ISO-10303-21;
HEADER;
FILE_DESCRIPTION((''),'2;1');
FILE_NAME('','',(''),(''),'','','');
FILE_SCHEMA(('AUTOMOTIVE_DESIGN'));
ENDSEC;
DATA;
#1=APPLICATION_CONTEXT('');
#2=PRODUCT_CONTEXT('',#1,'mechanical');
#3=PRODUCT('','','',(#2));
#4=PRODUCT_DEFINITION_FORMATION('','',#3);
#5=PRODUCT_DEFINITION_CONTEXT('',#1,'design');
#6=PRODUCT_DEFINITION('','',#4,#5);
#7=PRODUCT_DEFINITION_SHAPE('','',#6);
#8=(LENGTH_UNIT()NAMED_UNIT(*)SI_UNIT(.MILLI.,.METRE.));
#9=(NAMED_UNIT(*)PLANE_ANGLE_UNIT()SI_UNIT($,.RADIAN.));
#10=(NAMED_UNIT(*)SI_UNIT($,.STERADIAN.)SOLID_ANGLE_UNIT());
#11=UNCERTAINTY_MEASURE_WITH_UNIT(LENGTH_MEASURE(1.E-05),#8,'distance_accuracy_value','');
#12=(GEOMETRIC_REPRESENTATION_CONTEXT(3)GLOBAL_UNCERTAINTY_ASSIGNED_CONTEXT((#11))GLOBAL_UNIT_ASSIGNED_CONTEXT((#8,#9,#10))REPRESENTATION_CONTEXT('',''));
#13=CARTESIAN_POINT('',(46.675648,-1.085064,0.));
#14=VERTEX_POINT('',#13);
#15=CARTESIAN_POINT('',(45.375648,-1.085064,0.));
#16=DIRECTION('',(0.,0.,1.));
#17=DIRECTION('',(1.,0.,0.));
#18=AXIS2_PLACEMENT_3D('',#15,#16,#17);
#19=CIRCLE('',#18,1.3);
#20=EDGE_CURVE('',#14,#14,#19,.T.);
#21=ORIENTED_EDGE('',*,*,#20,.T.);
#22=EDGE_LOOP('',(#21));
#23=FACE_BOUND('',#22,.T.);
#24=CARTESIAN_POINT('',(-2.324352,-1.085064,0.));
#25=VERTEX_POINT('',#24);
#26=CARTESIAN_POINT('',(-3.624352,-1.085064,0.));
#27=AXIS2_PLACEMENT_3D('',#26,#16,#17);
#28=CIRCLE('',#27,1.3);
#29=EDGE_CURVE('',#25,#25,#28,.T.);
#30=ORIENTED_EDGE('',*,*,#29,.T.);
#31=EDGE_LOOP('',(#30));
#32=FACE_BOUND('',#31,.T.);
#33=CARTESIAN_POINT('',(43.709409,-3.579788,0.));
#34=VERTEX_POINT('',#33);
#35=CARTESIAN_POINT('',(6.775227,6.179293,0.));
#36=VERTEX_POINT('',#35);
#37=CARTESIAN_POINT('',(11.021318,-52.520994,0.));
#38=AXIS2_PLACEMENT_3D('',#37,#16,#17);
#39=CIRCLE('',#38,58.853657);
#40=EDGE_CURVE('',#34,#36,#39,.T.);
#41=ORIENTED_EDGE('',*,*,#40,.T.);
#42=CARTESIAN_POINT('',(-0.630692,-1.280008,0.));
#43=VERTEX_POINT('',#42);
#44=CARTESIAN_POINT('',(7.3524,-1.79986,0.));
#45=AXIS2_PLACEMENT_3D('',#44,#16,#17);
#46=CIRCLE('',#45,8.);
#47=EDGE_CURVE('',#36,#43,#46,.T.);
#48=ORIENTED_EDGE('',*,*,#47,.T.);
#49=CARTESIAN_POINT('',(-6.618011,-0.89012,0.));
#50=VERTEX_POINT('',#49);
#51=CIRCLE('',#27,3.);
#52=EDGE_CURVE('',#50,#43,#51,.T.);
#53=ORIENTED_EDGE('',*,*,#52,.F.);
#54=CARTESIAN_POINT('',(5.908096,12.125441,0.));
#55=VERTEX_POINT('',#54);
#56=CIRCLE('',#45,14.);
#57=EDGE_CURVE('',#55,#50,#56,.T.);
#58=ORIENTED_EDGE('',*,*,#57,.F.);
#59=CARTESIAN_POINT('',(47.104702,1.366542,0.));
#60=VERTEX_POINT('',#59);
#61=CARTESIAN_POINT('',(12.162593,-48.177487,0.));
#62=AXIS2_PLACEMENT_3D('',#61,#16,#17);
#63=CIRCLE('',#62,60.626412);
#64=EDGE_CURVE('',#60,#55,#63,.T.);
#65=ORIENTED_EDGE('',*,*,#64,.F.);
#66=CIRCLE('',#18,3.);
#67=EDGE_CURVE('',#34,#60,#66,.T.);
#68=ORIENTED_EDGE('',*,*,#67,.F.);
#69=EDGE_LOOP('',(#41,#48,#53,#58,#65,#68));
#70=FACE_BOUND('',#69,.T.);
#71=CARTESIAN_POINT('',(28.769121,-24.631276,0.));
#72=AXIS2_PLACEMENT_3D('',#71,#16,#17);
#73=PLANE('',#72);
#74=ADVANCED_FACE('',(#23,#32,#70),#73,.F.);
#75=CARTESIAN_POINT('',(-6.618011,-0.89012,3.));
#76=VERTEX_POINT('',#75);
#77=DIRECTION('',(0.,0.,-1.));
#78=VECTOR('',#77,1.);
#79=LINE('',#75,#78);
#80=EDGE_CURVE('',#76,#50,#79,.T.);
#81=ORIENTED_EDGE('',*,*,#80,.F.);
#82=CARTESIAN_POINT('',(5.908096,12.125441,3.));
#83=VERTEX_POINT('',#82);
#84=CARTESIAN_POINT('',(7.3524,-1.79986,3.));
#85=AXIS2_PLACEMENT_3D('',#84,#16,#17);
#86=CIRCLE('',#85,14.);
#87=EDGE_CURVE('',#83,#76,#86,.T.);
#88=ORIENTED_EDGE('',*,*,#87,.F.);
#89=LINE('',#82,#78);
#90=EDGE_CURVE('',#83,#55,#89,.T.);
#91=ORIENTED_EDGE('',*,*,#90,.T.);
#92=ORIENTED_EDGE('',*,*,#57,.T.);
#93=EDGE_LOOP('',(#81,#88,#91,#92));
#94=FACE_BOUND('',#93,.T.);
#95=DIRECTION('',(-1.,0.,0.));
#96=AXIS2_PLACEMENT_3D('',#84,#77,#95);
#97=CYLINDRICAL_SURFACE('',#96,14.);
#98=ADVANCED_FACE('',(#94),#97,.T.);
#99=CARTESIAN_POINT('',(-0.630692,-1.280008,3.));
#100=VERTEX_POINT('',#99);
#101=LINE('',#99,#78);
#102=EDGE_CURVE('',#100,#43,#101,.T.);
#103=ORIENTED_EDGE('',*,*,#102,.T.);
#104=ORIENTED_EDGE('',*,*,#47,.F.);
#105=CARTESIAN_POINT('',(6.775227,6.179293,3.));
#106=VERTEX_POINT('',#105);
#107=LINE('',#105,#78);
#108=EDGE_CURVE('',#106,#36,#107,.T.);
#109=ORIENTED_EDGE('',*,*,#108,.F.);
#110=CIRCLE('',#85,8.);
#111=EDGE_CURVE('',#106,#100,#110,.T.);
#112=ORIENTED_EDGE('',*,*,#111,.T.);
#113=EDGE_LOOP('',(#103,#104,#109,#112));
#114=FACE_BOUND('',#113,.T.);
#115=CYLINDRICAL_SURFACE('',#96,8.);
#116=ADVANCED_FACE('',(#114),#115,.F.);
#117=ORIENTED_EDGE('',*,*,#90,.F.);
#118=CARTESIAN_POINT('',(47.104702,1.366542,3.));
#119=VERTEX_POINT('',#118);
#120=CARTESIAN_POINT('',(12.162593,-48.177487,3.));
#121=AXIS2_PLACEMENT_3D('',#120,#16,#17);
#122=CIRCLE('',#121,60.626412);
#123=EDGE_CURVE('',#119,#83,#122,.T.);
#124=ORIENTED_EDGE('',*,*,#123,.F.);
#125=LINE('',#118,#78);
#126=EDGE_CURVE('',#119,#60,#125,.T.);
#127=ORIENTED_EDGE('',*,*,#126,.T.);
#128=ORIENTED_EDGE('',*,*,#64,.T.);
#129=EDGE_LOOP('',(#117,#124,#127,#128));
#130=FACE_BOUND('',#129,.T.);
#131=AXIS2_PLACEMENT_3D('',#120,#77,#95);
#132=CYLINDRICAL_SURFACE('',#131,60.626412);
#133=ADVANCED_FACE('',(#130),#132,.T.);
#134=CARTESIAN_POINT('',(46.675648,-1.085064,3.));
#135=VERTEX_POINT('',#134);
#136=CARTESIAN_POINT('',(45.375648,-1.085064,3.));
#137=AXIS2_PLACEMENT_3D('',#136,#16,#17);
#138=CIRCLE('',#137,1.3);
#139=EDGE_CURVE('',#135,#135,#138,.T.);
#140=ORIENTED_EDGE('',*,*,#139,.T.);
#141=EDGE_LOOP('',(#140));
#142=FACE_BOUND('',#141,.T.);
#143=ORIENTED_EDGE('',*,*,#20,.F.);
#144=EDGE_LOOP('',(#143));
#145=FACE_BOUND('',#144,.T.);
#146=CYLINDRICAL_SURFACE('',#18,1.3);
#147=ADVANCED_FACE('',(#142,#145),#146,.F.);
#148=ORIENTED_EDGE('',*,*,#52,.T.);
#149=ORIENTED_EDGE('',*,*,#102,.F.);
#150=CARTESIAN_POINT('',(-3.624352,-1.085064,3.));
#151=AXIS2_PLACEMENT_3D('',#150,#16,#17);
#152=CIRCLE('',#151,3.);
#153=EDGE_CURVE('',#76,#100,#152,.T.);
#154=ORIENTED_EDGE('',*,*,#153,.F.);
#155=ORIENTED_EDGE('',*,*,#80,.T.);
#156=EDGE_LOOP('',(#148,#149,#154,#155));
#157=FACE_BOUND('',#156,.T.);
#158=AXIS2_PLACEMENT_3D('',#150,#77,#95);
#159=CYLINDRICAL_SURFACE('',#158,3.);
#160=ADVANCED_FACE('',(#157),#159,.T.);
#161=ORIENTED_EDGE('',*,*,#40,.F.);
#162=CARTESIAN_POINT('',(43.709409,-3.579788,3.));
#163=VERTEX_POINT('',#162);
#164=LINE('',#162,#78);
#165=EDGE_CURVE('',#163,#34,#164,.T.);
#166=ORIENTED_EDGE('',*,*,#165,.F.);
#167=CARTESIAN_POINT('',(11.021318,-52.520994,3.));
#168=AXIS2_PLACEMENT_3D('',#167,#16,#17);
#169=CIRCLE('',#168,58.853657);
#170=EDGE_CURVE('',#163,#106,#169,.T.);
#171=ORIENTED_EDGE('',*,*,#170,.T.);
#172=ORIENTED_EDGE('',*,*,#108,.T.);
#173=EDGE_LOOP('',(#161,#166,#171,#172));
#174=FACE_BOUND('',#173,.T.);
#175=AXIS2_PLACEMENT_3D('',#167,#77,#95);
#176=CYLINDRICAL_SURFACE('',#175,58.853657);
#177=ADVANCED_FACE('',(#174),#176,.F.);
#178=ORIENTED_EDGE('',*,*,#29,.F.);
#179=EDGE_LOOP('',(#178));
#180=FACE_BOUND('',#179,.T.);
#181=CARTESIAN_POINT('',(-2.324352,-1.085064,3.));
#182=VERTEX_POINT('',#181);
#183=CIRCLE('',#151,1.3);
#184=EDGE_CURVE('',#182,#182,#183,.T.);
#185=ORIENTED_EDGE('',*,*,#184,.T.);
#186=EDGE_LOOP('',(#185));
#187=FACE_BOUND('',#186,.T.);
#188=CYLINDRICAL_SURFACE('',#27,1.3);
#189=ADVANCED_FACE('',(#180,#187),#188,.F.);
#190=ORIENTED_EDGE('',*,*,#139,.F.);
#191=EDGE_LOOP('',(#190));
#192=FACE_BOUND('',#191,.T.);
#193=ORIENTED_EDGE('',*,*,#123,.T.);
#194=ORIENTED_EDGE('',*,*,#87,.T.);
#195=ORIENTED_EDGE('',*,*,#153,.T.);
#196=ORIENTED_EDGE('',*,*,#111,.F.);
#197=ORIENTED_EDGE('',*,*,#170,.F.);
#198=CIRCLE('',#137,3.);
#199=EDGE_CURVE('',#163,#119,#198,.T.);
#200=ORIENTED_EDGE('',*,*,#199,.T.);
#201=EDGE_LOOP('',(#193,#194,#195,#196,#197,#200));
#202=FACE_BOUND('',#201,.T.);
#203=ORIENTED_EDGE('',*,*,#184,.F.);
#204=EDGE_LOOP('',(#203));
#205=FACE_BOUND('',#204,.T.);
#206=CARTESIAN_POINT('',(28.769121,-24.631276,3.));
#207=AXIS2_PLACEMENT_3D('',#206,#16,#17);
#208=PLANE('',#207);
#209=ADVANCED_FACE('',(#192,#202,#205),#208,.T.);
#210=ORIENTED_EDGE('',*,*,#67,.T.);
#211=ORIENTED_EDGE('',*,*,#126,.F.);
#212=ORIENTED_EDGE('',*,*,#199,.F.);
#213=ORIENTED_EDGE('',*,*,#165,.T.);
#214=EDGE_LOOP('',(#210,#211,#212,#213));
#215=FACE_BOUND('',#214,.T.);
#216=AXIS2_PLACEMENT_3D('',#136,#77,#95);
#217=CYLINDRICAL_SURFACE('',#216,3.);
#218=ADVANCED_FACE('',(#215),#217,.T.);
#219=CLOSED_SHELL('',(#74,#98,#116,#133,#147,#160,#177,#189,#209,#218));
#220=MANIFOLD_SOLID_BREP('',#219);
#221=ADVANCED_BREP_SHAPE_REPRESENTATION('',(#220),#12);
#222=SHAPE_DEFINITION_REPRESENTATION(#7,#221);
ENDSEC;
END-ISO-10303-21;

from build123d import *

# Parameters (mm, degrees)
EXTRUDE_1_DEPTH     = 3
SKETCH_2_R          = 1.3
CUT_EXTRUDE_1_DEPTH = 4


with BuildPart() as part:
    # 스케치1 → 보스-돌출1 (new body)
    with BuildSketch(Plane.XY):
        with BuildLine():
            ThreePointArc((5.908095924, 12.125440592), (-2.734946833, 7.908149395), (-6.618010934, -0.890120111))
            ThreePointArc((-6.618010934, -0.890120111), (-3.819295692, -4.078723723), (-0.63069208, -1.280008481))
            ThreePointArc((-0.63069208, -1.280008481), (1.675267899, 3.836644085), (6.775226967, 6.179292672))
            ThreePointArc((6.775226967, 6.179292672), (26.056169451, 4.379851204), (43.709409242, -3.57978808))
            ThreePointArc((43.709409242, -3.57978808), (47.849012899, -2.782847709), (47.104702299, 1.366541899))
            ThreePointArc((47.104702299, 1.366541899), (27.481967947, 10.481515342), (5.908095924, 12.125440592))
        make_face()
    extrude(amount=EXTRUDE_1_DEPTH)

    # 스케치2 → 컷-돌출1 (cut, through all)
    with BuildSketch(Plane.XY.offset(3)):
        with Locations((-3.624351507, -1.085064296)):
            Circle(SKETCH_2_R)
        with Locations((45.375648493, -1.085064296)):
            Circle(SKETCH_2_R)
    extrude(amount=-CUT_EXTRUDE_1_DEPTH, mode=Mode.SUBTRACT)


solid = part.part
